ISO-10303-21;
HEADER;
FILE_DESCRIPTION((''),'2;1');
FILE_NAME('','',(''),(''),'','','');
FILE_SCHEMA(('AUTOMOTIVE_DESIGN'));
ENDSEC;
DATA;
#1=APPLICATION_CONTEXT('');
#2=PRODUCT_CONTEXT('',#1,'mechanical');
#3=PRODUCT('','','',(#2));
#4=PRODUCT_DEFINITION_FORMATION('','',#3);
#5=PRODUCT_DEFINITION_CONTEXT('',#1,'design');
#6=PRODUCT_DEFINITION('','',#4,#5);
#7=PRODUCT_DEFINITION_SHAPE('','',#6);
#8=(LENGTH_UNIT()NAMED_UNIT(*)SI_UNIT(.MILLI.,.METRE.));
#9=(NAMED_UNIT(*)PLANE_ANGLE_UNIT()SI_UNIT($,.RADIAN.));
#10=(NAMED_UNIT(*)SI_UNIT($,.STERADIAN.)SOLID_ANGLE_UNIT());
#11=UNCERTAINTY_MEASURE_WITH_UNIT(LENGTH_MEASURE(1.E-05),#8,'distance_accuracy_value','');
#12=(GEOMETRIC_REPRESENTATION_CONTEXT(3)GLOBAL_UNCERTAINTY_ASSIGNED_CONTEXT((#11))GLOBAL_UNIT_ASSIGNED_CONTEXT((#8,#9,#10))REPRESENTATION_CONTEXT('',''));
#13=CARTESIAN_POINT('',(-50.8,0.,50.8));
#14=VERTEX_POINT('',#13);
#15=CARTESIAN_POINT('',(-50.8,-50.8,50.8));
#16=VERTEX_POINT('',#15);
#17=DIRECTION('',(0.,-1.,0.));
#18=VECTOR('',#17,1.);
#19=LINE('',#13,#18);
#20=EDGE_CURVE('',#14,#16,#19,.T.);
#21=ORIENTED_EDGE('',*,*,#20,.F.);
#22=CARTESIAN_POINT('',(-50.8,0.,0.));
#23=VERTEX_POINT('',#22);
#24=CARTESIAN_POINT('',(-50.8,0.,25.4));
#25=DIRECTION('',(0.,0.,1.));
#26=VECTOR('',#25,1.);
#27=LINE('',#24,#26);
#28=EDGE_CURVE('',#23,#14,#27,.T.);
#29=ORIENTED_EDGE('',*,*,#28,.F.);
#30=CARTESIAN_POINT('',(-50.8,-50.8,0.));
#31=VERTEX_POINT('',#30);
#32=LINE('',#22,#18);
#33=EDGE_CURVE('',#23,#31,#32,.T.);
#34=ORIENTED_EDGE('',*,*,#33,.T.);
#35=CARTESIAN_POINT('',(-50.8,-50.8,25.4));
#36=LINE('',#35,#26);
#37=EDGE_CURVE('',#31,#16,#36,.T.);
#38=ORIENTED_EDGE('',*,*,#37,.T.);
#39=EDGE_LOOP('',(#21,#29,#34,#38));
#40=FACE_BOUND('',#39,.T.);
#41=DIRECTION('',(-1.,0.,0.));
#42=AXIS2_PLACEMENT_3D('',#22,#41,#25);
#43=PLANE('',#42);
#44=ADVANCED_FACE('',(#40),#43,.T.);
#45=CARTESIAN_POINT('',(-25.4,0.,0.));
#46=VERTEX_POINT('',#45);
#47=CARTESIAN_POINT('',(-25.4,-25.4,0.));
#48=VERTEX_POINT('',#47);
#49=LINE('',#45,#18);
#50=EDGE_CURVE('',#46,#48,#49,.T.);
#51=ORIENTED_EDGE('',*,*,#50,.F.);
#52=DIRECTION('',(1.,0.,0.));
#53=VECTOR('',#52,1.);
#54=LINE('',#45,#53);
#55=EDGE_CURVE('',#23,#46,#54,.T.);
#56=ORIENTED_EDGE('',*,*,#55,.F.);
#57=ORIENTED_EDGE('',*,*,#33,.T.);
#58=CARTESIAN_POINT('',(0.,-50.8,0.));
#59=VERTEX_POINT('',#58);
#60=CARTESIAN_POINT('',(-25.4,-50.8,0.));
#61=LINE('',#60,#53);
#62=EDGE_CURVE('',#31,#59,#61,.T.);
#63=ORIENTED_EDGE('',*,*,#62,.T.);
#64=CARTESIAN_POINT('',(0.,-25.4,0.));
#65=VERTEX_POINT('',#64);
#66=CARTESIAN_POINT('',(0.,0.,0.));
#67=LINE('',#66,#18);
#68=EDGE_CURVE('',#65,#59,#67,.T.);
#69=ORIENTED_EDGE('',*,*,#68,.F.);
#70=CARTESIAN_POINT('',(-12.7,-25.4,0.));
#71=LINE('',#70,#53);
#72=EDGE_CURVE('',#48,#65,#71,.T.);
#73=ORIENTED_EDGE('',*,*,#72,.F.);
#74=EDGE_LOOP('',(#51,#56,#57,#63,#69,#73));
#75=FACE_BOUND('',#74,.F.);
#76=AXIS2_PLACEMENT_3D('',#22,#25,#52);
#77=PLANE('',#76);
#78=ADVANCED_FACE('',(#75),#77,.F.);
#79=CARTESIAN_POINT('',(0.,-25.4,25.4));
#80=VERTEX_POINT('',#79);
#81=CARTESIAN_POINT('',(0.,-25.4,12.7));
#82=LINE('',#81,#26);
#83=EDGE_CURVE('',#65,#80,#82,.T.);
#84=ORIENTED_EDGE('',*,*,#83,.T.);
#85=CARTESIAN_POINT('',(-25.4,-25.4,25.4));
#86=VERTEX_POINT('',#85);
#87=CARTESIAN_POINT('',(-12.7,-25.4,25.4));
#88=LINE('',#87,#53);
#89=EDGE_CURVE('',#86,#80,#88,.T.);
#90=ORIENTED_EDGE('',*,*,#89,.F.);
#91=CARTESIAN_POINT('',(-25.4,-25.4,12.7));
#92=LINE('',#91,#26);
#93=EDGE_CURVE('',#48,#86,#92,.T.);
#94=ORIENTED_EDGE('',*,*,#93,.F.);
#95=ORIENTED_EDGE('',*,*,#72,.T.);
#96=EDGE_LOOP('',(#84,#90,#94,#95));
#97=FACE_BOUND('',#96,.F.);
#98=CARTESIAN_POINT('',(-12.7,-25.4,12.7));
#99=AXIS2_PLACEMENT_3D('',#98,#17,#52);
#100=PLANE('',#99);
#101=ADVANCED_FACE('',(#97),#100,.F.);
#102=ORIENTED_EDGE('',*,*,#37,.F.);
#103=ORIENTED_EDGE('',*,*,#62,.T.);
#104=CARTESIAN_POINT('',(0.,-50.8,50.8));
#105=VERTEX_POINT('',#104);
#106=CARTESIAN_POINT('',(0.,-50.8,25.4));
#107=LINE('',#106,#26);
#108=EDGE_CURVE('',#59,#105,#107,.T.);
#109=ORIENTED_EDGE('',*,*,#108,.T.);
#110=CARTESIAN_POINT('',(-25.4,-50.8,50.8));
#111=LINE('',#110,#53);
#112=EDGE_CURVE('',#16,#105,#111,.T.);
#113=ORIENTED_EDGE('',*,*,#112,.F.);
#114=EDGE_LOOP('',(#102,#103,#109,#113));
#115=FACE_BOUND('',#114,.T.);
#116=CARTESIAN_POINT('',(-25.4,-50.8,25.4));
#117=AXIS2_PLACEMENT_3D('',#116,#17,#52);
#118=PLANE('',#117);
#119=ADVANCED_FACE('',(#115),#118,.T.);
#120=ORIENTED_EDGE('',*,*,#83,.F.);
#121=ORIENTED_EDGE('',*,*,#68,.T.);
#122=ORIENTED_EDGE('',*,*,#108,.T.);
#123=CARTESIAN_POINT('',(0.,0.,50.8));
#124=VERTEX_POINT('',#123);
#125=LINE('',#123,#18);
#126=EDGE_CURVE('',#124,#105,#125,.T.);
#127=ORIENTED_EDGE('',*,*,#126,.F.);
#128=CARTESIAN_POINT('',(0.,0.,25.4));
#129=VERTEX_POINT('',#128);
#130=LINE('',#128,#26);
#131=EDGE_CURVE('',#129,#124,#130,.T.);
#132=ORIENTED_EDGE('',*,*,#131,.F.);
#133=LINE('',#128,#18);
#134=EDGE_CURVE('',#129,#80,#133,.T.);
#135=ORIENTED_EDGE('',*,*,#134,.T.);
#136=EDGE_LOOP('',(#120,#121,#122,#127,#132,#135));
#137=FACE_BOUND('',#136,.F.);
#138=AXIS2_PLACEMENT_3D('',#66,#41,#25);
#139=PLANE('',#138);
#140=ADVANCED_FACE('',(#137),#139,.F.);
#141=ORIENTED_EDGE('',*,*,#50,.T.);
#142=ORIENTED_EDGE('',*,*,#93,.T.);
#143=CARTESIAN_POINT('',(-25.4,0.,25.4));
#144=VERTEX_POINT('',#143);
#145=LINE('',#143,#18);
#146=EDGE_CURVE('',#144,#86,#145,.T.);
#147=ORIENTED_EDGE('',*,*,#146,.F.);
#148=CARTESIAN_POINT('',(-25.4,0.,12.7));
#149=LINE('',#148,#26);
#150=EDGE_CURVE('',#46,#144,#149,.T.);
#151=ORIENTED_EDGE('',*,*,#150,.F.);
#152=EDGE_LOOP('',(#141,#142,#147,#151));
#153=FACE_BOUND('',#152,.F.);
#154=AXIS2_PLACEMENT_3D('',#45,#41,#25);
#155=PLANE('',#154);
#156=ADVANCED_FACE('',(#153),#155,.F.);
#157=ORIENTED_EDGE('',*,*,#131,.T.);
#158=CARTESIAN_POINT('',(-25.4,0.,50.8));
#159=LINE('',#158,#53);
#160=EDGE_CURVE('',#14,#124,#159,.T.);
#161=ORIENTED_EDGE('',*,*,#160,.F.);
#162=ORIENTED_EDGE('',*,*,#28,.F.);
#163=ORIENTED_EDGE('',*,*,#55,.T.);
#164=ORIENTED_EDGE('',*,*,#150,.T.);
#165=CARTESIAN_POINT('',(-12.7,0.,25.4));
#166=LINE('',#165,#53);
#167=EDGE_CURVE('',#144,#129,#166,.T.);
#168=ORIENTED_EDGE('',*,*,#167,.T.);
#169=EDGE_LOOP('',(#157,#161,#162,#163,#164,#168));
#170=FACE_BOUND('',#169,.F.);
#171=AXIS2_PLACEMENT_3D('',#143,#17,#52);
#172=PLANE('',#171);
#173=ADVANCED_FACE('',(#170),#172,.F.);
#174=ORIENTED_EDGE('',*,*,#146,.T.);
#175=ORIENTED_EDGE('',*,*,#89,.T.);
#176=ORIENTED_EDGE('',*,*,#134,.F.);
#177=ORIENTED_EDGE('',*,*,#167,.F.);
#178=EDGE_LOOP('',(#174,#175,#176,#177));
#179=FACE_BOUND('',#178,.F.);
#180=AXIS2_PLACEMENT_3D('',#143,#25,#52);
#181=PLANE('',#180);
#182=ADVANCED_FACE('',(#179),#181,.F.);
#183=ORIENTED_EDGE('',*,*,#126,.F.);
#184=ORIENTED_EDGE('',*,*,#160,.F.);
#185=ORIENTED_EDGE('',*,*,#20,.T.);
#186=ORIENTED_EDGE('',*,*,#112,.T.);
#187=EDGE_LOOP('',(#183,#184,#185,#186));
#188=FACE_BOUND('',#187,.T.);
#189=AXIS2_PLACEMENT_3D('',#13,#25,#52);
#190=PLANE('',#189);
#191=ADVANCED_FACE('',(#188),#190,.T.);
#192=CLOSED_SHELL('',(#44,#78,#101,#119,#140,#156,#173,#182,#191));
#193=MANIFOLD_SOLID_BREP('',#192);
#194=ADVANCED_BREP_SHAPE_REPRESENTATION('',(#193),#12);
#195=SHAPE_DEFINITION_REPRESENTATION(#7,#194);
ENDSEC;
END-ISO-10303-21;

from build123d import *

# Parameters (mm, degrees)
F0_W     = 50.8
F0_H     = 50.8
F2_DEPTH = 50.8
F1_W     = 25.4
F1_H     = 25.4
F3_DEPTH = 25.4


with BuildPart() as f2:
    # F0 (on Front) → F2 (new body)
    with BuildSketch(Plane.XZ):
        with Locations((-25.4, 25.4)):
            Rectangle(F0_W, F0_H)
    extrude(amount=F2_DEPTH)

    # F1 (on face) → F3 (cut)
    with BuildSketch(Plane.XZ):
        with Locations((-12.7, 12.7)):
            Rectangle(F1_W, F1_H)
    extrude(amount=F3_DEPTH, mode=Mode.SUBTRACT)


solid = f2.part
